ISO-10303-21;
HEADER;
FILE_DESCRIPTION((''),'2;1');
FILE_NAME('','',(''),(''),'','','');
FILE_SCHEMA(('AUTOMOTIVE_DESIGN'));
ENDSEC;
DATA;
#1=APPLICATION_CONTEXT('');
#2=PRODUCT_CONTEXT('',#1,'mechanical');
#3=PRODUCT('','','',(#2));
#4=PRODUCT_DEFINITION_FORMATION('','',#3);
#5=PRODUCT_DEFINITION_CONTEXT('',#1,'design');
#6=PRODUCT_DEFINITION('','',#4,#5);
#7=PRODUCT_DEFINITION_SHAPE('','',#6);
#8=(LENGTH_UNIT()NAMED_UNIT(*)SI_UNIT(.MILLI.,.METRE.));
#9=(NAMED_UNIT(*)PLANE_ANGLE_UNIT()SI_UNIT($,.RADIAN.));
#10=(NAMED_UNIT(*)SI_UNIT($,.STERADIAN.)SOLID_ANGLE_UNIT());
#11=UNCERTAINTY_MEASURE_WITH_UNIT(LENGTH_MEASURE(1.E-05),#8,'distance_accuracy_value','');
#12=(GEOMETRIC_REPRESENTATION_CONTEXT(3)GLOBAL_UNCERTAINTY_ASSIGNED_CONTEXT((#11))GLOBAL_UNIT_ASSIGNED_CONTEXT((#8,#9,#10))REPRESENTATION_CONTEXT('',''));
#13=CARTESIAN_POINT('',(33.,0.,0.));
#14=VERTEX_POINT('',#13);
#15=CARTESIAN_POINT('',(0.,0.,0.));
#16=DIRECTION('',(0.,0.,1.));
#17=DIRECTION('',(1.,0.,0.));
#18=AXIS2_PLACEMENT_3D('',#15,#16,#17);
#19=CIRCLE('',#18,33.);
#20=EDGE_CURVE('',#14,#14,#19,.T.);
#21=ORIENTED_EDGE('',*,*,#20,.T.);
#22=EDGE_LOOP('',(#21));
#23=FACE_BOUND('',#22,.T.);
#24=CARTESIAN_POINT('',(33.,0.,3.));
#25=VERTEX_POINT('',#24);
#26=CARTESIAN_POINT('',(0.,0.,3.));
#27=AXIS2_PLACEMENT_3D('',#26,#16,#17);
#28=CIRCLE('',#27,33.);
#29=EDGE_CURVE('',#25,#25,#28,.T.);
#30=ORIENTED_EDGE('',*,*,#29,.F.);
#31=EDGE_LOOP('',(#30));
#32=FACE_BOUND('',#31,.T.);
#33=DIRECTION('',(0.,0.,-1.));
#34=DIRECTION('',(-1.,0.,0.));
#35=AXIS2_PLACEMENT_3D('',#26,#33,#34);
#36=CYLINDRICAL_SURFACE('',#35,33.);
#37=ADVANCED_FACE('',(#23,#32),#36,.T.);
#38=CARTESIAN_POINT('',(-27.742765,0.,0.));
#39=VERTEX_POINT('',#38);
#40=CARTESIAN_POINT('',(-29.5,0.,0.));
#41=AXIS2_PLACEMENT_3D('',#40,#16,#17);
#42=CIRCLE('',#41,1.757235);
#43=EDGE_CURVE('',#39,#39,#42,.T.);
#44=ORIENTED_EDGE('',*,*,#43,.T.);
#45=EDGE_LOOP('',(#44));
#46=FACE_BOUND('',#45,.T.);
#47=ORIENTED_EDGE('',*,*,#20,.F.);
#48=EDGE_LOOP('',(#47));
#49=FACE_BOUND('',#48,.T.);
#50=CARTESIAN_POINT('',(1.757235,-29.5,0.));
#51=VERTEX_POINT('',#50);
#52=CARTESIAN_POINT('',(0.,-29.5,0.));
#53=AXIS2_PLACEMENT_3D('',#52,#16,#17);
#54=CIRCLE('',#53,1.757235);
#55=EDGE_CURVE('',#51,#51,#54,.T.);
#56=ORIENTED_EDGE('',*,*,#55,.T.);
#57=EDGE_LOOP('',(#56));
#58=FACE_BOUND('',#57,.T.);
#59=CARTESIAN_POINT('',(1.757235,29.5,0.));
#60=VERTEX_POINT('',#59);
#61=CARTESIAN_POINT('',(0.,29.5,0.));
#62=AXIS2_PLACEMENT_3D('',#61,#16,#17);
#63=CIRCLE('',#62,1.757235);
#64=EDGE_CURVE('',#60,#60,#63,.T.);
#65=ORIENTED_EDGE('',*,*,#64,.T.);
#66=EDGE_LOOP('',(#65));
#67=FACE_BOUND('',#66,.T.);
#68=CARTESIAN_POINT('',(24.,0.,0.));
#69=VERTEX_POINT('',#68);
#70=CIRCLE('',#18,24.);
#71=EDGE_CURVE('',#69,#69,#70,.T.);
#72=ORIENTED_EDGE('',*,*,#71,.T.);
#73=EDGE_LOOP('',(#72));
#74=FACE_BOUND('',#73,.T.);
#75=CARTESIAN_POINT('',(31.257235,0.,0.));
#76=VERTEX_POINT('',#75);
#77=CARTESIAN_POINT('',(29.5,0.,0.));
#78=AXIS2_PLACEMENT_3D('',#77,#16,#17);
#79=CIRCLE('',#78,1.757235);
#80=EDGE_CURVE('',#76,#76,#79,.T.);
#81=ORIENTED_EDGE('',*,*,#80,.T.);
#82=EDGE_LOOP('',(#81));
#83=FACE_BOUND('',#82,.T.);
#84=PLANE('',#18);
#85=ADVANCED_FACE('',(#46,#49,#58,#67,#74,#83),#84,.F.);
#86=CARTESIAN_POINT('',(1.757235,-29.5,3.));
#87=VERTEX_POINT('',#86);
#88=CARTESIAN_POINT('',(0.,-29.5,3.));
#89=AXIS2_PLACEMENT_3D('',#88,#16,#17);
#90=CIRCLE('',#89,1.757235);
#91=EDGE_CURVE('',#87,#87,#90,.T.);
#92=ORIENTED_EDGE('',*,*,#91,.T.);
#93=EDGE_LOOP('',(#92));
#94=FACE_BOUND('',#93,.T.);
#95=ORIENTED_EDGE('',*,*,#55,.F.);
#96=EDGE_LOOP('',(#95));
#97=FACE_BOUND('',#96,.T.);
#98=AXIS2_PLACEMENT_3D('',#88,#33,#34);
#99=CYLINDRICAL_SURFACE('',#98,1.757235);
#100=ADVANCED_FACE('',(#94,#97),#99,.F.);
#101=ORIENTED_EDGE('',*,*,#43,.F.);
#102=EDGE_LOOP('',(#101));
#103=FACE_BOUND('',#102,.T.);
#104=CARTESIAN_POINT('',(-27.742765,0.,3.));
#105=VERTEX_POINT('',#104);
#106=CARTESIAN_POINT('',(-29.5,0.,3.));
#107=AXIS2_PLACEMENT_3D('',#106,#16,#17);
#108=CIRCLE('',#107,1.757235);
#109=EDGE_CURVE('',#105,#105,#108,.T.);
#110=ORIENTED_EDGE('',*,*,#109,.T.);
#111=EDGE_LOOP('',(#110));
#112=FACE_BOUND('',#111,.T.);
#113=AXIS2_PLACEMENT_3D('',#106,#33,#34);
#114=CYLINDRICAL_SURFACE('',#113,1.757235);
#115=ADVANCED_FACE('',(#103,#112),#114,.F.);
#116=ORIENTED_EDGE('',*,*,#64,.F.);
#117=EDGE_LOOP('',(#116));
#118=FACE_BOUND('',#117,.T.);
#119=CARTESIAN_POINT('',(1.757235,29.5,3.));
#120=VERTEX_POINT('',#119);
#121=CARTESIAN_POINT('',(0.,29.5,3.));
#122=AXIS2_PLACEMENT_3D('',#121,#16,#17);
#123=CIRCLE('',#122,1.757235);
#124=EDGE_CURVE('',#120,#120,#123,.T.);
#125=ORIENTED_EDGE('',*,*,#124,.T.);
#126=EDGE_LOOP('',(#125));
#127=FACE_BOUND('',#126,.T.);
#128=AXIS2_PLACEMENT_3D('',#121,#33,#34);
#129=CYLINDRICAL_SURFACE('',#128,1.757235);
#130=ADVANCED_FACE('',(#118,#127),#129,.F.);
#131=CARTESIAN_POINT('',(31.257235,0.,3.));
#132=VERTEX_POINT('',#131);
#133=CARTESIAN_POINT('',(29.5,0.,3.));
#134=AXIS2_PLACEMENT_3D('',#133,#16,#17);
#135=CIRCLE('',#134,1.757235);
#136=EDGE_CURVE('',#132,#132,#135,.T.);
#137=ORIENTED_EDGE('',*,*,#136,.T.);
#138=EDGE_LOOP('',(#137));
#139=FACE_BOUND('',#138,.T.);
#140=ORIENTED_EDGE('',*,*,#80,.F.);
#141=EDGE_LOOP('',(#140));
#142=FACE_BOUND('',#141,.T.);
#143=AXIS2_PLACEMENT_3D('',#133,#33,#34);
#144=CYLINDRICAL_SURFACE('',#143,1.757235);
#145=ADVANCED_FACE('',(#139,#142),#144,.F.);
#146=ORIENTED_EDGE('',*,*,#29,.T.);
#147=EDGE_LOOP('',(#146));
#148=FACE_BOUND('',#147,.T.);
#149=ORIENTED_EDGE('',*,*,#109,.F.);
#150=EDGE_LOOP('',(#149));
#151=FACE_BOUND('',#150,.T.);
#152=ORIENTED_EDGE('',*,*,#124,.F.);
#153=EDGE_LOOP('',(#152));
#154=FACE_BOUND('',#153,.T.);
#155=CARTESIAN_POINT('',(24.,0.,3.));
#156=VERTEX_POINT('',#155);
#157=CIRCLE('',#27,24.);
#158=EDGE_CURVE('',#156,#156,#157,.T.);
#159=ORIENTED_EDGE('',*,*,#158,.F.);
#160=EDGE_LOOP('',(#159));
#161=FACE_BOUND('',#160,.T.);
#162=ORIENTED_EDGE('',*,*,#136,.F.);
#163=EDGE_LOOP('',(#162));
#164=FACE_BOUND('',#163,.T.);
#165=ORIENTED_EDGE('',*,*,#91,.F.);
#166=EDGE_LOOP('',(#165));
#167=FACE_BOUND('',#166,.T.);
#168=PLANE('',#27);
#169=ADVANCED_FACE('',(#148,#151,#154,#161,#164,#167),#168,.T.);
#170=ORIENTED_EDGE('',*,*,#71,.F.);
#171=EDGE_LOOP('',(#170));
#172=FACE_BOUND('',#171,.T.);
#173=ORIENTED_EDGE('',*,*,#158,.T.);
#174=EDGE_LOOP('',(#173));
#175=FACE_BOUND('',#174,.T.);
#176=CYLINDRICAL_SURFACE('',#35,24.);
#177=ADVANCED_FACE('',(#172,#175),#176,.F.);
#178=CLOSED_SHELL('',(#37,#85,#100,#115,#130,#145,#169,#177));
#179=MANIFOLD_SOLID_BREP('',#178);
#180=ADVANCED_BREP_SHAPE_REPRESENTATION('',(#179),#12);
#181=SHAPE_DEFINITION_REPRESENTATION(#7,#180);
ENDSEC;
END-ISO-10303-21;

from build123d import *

# Parameters (mm, degrees)
SKETCH1_R           = 33
SKETCH1_R_2         = 24
SKETCH1_R_3         = 1.757235194
BOSS_EXTRUDE1_DEPTH = 3


with BuildPart() as part:
    # Sketch1 → Boss-Extrude1 (new body)
    with BuildSketch(Plane.XY):
        Circle(SKETCH1_R)
        Circle(SKETCH1_R_2, mode=Mode.SUBTRACT)
        with Locations((0, 29.5)):
            Circle(SKETCH1_R_3, mode=Mode.SUBTRACT)
        with Locations((29.5, 0)):
            Circle(SKETCH1_R_3, mode=Mode.SUBTRACT)
        with Locations((0, -29.5)):
            Circle(SKETCH1_R_3, mode=Mode.SUBTRACT)
        with Locations((-29.5, 0)):
            Circle(SKETCH1_R_3, mode=Mode.SUBTRACT)
    extrude(amount=BOSS_EXTRUDE1_DEPTH)


solid = part.part
